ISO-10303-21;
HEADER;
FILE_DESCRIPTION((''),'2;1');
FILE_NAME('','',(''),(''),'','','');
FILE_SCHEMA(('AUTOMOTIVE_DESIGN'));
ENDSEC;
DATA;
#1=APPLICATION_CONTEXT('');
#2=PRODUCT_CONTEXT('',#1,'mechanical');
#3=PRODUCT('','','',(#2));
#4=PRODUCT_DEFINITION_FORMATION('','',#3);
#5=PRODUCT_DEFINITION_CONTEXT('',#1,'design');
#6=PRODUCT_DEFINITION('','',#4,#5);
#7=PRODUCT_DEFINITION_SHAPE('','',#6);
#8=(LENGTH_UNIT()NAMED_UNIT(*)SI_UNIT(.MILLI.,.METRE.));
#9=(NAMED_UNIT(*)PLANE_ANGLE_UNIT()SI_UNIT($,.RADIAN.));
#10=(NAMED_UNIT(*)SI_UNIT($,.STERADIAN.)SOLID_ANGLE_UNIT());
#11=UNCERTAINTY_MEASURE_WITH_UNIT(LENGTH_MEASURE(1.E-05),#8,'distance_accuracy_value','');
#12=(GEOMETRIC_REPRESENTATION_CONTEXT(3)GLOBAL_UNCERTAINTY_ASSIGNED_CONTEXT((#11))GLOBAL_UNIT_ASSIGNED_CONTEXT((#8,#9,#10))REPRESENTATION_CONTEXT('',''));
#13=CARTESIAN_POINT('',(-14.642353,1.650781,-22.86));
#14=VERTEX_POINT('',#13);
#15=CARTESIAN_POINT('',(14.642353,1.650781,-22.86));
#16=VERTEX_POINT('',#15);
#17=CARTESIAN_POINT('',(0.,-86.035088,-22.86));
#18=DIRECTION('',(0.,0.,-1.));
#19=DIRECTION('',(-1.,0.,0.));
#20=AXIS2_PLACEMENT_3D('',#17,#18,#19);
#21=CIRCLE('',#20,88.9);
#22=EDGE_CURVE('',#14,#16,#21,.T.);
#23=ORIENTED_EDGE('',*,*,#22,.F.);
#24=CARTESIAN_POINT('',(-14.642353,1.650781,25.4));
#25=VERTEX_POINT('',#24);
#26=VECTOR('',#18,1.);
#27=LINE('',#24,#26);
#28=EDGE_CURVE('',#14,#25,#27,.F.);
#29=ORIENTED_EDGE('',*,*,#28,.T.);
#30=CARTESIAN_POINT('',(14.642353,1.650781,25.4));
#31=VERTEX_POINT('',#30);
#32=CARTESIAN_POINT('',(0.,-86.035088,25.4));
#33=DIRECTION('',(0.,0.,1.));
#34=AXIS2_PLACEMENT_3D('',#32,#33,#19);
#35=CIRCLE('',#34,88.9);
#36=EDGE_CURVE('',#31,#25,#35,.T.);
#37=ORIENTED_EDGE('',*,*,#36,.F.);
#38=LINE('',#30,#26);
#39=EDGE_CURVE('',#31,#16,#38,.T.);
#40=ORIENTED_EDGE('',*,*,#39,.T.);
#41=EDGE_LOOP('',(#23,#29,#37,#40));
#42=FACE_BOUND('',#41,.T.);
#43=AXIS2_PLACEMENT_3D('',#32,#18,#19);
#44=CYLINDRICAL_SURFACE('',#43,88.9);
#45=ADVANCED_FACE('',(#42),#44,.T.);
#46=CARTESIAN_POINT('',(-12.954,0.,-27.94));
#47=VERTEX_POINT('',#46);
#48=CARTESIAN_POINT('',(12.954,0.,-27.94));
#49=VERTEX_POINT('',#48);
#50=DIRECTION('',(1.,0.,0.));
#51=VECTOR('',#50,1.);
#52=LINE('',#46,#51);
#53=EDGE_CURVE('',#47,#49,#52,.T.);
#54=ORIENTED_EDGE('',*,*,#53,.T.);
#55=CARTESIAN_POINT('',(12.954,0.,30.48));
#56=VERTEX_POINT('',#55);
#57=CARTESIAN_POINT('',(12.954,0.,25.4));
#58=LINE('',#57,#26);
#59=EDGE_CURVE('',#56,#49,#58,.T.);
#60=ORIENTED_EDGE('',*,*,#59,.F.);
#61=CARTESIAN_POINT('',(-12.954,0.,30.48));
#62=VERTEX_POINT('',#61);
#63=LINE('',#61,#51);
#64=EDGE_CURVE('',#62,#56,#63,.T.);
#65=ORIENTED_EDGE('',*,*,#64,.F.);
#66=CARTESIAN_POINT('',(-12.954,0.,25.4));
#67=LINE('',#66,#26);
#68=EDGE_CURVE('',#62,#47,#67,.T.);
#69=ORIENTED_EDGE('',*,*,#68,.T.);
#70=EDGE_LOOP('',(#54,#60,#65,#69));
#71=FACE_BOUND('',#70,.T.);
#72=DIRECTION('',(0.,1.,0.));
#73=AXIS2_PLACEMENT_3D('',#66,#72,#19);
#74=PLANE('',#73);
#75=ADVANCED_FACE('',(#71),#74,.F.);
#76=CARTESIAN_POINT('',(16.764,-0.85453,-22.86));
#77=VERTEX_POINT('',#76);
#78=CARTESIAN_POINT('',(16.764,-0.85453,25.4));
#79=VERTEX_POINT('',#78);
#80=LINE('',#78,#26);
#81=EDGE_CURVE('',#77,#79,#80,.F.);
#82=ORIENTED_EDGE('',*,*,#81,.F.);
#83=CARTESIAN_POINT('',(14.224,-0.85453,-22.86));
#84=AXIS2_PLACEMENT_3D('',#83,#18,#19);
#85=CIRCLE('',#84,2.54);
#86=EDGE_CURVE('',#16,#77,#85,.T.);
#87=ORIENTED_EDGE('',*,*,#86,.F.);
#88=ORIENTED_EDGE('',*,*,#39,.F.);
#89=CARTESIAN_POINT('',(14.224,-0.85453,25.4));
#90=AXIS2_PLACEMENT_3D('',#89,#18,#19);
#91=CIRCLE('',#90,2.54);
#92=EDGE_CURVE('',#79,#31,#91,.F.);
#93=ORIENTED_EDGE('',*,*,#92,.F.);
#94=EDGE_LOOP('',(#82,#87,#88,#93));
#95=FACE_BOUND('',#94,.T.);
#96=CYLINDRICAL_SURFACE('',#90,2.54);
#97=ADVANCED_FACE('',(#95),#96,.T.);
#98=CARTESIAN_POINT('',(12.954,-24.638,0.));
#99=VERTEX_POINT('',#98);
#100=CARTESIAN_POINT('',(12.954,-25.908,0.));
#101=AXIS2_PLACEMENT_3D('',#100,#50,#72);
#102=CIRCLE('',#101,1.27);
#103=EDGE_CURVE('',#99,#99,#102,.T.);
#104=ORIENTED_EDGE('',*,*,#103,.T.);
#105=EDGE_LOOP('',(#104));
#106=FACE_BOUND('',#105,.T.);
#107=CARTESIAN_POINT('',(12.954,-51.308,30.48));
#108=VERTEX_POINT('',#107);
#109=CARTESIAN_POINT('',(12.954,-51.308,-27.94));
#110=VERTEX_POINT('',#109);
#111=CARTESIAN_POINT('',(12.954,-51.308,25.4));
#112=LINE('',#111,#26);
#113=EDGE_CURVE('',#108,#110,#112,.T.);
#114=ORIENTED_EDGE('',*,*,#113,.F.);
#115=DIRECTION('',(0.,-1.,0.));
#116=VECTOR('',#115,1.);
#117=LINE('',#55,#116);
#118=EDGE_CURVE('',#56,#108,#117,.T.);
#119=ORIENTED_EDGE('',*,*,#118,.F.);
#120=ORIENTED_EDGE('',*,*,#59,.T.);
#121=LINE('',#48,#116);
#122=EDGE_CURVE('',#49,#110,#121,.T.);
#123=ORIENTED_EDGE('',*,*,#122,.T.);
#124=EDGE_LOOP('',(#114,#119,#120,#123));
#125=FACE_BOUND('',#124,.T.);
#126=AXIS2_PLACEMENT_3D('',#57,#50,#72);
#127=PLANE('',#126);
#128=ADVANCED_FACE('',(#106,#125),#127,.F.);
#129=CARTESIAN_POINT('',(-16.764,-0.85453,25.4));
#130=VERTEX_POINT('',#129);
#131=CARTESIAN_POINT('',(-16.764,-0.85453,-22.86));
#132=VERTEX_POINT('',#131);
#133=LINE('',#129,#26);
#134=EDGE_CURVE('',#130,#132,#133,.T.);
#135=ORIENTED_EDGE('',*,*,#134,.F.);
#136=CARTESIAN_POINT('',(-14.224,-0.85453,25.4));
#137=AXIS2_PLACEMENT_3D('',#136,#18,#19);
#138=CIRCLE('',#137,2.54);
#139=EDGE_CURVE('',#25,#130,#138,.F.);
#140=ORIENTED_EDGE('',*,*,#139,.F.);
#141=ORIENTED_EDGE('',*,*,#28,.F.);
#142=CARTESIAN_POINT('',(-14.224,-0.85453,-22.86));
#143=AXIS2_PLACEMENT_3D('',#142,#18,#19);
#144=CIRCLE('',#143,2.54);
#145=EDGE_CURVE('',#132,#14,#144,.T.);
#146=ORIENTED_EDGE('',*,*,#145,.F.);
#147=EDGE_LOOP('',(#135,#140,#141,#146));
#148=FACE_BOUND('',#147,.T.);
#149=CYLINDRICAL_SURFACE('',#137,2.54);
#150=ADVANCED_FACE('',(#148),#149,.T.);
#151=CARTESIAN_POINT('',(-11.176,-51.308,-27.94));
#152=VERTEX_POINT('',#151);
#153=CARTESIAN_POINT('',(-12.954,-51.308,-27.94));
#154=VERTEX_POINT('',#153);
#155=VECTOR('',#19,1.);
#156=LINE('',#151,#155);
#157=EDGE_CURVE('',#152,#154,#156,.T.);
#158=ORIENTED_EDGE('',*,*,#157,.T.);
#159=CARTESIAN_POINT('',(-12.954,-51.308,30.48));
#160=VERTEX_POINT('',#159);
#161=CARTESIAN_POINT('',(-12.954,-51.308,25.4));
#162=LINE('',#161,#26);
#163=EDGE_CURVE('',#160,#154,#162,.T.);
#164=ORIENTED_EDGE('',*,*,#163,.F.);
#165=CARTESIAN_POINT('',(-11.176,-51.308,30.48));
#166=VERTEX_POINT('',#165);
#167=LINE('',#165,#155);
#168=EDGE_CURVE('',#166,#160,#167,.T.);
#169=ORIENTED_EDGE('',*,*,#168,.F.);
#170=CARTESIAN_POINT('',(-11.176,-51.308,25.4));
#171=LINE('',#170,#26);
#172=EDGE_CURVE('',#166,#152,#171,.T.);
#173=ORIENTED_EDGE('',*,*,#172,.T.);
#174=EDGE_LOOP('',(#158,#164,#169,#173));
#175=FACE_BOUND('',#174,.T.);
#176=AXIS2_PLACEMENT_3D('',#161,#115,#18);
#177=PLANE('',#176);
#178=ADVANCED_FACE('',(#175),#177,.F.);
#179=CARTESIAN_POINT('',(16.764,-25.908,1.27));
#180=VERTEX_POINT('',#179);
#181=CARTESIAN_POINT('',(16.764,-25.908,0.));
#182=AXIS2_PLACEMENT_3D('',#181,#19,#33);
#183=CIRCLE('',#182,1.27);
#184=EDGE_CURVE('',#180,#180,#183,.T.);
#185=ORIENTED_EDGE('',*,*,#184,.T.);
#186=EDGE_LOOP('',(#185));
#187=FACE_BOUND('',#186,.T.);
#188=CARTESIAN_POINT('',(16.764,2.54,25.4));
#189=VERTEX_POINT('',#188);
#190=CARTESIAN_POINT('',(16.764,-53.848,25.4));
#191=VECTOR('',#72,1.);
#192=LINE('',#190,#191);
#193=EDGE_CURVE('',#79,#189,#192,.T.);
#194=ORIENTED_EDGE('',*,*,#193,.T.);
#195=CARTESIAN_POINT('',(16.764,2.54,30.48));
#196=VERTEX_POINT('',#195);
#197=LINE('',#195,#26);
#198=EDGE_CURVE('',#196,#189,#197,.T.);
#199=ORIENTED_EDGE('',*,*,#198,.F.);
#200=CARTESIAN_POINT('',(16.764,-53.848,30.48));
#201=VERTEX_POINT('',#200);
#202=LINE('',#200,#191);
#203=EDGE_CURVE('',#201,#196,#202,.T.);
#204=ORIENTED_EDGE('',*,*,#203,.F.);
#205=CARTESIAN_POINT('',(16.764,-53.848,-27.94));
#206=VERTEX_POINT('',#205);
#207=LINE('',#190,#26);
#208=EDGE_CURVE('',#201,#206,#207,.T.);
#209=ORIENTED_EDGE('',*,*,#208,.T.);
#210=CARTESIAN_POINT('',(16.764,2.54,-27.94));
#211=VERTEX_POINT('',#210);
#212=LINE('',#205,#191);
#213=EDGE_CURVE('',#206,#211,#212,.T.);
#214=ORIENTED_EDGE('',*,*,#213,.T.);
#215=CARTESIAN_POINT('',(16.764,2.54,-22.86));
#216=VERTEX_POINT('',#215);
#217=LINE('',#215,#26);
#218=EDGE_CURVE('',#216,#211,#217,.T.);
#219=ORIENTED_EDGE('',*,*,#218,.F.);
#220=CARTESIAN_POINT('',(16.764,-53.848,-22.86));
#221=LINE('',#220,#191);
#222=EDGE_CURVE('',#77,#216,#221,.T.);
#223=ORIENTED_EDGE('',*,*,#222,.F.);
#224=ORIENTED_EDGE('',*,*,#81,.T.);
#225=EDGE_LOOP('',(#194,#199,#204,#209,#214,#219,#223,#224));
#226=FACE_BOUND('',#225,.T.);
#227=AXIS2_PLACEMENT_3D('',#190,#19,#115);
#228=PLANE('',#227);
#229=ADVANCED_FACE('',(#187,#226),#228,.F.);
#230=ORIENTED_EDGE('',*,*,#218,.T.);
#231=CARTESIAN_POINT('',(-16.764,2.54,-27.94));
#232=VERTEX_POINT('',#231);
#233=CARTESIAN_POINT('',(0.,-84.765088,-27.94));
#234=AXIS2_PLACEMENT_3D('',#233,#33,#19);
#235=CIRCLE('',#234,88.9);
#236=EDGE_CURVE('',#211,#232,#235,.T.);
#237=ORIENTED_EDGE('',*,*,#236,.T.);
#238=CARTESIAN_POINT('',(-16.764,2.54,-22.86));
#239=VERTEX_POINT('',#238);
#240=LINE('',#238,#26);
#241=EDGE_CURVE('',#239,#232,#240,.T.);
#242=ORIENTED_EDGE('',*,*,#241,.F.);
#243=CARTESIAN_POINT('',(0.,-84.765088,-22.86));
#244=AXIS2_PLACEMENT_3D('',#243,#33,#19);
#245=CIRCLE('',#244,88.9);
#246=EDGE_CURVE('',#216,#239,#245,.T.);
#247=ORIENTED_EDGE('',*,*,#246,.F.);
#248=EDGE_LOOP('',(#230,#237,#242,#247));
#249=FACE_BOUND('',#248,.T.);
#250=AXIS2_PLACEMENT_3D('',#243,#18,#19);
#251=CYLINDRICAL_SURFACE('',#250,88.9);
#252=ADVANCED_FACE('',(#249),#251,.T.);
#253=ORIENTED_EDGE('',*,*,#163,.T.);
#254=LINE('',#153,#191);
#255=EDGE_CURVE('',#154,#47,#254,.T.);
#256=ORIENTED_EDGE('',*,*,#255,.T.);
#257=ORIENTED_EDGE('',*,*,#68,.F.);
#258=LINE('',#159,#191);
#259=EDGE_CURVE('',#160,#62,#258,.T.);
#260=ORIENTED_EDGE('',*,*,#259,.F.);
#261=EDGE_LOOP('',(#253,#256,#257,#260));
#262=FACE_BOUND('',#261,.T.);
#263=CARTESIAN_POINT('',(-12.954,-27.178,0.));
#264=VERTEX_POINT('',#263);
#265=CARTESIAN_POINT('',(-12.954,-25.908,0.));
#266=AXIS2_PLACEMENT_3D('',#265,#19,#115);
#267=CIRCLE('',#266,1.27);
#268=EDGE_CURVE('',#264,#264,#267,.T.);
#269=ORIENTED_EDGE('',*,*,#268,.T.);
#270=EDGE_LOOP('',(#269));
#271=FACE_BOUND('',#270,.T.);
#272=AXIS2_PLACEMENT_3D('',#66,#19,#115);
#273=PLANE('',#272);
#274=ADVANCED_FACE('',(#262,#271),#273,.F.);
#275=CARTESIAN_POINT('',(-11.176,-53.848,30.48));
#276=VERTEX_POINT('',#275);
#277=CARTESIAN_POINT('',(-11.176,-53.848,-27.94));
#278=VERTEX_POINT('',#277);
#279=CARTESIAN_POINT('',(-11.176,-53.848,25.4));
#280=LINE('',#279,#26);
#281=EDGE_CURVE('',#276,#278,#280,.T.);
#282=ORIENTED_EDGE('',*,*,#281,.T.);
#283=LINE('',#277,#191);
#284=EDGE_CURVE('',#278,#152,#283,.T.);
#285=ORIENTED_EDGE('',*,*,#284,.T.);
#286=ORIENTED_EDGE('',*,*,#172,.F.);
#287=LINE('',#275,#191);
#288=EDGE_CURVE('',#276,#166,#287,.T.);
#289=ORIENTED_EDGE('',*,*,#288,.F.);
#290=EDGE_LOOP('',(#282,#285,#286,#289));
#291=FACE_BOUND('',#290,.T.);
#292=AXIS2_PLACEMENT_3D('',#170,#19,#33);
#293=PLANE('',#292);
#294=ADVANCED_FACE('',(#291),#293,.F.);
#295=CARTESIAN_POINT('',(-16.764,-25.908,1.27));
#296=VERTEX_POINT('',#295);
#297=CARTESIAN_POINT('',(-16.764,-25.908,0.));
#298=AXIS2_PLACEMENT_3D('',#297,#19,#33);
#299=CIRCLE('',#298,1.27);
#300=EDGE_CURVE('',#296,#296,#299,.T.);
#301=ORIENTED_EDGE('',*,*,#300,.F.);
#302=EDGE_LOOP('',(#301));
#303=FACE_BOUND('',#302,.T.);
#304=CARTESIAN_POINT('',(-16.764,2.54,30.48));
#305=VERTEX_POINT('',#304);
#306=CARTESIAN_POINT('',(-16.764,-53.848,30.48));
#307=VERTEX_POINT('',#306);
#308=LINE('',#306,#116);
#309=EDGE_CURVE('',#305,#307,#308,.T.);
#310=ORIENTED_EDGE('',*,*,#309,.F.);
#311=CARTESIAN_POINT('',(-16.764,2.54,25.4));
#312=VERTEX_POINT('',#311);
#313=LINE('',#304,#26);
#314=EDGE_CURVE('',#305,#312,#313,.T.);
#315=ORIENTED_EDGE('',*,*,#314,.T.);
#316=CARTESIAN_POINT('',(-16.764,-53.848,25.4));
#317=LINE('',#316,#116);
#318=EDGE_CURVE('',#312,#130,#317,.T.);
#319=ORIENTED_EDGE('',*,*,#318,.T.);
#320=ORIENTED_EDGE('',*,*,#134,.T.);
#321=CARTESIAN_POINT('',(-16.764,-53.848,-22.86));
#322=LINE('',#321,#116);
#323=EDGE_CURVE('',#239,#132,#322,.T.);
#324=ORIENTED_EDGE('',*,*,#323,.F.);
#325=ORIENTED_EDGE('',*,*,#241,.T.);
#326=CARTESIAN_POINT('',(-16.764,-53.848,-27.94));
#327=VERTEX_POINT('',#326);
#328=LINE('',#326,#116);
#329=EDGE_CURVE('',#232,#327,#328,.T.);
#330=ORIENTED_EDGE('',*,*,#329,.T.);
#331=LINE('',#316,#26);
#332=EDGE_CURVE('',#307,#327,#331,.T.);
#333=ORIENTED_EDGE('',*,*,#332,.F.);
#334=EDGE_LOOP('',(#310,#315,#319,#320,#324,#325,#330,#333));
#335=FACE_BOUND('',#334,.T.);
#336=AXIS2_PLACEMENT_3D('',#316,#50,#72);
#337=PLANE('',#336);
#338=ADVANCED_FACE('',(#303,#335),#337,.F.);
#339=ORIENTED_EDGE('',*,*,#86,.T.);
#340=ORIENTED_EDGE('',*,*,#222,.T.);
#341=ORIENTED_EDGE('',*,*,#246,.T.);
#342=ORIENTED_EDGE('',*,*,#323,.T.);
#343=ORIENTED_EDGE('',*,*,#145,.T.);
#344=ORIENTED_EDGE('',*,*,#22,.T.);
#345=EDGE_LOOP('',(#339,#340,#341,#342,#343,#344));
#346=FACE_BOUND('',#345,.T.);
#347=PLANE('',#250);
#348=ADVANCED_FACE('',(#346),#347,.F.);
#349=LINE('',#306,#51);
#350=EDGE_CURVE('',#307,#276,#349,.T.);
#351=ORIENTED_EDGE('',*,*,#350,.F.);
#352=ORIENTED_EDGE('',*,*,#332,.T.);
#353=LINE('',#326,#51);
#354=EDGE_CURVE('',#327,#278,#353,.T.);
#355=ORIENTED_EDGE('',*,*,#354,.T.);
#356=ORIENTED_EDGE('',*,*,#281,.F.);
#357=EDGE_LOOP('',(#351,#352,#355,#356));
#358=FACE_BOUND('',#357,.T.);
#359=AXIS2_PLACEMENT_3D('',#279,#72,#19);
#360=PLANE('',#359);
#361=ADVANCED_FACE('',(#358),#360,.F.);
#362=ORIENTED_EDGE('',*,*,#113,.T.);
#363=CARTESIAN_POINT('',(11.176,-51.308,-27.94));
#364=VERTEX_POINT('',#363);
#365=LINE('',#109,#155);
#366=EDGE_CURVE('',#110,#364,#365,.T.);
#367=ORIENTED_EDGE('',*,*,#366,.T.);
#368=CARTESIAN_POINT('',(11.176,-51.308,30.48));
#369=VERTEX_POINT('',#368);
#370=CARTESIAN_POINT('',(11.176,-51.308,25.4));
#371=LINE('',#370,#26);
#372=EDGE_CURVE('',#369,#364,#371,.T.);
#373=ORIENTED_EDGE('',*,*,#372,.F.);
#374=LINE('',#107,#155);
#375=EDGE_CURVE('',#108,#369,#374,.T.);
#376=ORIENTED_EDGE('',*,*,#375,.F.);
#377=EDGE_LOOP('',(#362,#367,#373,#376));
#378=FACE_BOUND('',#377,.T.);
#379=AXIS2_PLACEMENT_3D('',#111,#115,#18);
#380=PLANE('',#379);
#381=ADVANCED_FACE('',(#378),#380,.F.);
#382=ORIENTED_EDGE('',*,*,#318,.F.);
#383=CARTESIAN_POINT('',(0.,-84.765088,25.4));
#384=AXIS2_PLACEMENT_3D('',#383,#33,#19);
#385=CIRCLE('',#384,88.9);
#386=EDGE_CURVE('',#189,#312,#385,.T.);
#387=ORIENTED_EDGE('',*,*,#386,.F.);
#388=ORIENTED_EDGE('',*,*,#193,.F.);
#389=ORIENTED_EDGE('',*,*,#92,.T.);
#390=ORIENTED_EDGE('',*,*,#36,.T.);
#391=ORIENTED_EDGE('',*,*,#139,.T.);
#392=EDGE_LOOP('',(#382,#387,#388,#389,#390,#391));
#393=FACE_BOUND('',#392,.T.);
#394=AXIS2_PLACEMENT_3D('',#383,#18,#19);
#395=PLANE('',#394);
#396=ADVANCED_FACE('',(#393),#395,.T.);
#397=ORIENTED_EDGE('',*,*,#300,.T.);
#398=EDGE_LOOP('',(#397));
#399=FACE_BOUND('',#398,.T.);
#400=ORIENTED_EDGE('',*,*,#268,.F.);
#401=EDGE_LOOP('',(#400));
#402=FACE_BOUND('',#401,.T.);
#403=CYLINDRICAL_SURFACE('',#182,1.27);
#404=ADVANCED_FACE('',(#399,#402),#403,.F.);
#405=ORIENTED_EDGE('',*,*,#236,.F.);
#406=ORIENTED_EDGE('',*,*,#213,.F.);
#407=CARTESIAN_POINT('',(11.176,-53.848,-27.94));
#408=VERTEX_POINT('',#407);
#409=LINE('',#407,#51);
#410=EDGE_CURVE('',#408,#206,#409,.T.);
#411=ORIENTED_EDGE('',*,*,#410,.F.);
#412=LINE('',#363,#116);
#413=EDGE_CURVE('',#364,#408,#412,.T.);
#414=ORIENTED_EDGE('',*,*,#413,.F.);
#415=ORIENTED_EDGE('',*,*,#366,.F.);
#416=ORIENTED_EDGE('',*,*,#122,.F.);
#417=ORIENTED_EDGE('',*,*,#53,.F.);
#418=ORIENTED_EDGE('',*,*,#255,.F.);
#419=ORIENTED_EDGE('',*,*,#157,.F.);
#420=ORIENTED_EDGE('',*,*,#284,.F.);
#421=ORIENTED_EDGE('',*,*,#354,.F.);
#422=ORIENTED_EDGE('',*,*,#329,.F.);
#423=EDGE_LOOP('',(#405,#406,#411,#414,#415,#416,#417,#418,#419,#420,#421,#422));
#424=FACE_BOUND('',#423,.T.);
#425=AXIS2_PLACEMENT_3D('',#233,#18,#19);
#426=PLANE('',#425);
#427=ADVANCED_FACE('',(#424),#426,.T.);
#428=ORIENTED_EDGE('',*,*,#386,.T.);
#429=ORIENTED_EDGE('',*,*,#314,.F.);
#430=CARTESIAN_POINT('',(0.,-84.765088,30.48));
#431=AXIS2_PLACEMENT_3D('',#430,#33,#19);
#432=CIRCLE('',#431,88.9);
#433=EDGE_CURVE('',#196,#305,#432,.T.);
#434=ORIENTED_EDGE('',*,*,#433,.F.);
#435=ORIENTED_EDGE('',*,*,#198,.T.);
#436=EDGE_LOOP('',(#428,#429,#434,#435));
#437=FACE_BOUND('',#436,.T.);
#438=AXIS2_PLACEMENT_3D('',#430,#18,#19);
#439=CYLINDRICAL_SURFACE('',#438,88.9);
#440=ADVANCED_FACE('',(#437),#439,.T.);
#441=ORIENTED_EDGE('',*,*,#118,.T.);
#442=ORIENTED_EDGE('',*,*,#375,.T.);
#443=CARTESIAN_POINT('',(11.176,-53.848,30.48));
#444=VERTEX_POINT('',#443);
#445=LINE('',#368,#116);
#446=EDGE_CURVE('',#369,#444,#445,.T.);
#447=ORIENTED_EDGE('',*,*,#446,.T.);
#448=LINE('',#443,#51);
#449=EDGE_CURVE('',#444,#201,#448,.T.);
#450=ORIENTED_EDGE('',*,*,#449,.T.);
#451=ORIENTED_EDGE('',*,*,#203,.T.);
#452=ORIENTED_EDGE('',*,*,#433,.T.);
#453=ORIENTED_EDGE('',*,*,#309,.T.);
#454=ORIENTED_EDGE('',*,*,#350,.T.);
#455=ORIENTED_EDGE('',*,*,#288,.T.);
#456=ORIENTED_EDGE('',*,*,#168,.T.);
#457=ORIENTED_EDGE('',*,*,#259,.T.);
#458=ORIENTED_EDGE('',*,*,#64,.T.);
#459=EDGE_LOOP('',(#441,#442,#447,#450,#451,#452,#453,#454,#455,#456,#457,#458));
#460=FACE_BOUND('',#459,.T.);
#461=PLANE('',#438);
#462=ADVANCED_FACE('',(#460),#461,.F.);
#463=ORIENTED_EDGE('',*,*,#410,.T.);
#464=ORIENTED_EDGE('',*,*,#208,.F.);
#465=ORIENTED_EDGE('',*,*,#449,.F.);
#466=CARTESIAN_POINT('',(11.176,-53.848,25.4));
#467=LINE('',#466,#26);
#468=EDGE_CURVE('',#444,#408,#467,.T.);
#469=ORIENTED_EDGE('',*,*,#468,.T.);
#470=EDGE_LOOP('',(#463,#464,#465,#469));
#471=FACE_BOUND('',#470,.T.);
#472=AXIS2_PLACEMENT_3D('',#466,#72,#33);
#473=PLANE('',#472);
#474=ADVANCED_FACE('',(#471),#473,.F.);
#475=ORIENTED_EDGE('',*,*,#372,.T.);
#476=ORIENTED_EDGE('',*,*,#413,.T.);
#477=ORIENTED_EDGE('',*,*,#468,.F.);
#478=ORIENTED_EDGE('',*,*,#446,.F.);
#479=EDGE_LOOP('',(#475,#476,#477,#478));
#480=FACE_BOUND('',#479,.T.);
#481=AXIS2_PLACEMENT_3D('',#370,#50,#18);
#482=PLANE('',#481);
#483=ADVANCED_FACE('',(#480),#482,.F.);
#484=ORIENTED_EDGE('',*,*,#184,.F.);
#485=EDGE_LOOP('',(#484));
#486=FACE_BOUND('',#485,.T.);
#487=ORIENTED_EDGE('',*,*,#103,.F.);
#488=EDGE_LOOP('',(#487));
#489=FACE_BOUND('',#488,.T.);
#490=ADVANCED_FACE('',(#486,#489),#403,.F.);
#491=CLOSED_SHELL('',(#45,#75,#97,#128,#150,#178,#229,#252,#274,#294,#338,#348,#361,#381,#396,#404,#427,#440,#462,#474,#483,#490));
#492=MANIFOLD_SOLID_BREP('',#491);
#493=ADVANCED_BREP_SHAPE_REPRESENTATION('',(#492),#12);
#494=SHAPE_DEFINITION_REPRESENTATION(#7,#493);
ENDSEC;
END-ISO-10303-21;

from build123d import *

# Parameters (mm, degrees)
BOSS_EXTRUDE1_DEPTH = 25.4
BOSS_EXTRUDE2_DEPTH = 5.08
LPATTERN1_COUNT     = 2
LPATTERN1_PITCH     = 53.34
FILLET7_R           = 2.54
SKETCH4_R           = 1.27
CUT_EXTRUDE1_DEPTH  = 71.375878595


with BuildPart() as part:
    # Sketch1 → Boss-Extrude1 (new, symmetric)
    with BuildSketch(Plane.XY):
        with BuildLine():
            Line((-12.954, 0), (12.954, 0))
            Line((12.954, 0), (12.954, -51.308))
            Line((12.954, -51.308), (11.176, -51.308))
            Line((11.176, -51.308), (11.176, -53.848))
            Line((11.176, -53.848), (16.764, -53.848))
            Line((16.764, -53.848), (16.764, 1.27))
            ThreePointArc((16.764, 1.27), (0, 2.864912496), (-16.764, 1.27))
            Line((-16.764, 1.27), (-16.764, -53.848))
            Line((-16.764, -53.848), (-11.176, -53.848))
            Line((-11.176, -53.848), (-11.176, -51.308))
            Line((-11.176, -51.308), (-12.954, -51.308))
            Line((-12.954, -51.308), (-12.954, 0))
        make_face()
    extrude(amount=BOSS_EXTRUDE1_DEPTH, both=True)

    # Sketch2 → Boss-Extrude2 (add)
    with BuildSketch(Plane.XY.offset(25.4)):
        with BuildLine():
            Line((16.764, -53.848), (16.764, 2.54))
            ThreePointArc((16.764, 2.54), (0, 4.134912496), (-16.764, 2.54))
            Line((-16.764, 2.54), (-16.764, -53.848))
            Line((-16.764, -53.848), (-11.176, -53.848))
            Line((-11.176, -53.848), (-11.176, -51.308))
            Line((-11.176, -51.308), (-12.954, -51.308))
            Line((-12.954, -51.308), (-12.954, 0))
            Line((-12.954, 0), (12.954, 0))
            Line((12.954, 0), (12.954, -51.308))
            Line((12.954, -51.308), (11.176, -51.308))
            Line((11.176, -51.308), (11.176, -53.848))
            Line((11.176, -53.848), (16.764, -53.848))
        make_face()
    boss_extrude2 = extrude(amount=BOSS_EXTRUDE2_DEPTH)

    # LPattern1: Boss-Extrude2 ×2
    with Locations(*[(0, 0, -i * LPATTERN1_PITCH) for i in range(1, LPATTERN1_COUNT)]):
        add(boss_extrude2)

    # Fillet7
    fillet7_edges = [part.edges().sort_by_distance(p)[0] for p in [
        (-16.764, 1.27, 1.27),
        (16.764, 1.27, 1.27),
    ]]
    fillet(fillet7_edges, radius=FILLET7_R)

    # Sketch4 → Cut-Extrude1 (cut, through all)
    with BuildSketch(Plane.ZY.offset(16.764)):
        with Locations((0, -25.908)):
            Circle(SKETCH4_R)
    extrude(amount=-CUT_EXTRUDE1_DEPTH, mode=Mode.SUBTRACT)


solid = part.part
